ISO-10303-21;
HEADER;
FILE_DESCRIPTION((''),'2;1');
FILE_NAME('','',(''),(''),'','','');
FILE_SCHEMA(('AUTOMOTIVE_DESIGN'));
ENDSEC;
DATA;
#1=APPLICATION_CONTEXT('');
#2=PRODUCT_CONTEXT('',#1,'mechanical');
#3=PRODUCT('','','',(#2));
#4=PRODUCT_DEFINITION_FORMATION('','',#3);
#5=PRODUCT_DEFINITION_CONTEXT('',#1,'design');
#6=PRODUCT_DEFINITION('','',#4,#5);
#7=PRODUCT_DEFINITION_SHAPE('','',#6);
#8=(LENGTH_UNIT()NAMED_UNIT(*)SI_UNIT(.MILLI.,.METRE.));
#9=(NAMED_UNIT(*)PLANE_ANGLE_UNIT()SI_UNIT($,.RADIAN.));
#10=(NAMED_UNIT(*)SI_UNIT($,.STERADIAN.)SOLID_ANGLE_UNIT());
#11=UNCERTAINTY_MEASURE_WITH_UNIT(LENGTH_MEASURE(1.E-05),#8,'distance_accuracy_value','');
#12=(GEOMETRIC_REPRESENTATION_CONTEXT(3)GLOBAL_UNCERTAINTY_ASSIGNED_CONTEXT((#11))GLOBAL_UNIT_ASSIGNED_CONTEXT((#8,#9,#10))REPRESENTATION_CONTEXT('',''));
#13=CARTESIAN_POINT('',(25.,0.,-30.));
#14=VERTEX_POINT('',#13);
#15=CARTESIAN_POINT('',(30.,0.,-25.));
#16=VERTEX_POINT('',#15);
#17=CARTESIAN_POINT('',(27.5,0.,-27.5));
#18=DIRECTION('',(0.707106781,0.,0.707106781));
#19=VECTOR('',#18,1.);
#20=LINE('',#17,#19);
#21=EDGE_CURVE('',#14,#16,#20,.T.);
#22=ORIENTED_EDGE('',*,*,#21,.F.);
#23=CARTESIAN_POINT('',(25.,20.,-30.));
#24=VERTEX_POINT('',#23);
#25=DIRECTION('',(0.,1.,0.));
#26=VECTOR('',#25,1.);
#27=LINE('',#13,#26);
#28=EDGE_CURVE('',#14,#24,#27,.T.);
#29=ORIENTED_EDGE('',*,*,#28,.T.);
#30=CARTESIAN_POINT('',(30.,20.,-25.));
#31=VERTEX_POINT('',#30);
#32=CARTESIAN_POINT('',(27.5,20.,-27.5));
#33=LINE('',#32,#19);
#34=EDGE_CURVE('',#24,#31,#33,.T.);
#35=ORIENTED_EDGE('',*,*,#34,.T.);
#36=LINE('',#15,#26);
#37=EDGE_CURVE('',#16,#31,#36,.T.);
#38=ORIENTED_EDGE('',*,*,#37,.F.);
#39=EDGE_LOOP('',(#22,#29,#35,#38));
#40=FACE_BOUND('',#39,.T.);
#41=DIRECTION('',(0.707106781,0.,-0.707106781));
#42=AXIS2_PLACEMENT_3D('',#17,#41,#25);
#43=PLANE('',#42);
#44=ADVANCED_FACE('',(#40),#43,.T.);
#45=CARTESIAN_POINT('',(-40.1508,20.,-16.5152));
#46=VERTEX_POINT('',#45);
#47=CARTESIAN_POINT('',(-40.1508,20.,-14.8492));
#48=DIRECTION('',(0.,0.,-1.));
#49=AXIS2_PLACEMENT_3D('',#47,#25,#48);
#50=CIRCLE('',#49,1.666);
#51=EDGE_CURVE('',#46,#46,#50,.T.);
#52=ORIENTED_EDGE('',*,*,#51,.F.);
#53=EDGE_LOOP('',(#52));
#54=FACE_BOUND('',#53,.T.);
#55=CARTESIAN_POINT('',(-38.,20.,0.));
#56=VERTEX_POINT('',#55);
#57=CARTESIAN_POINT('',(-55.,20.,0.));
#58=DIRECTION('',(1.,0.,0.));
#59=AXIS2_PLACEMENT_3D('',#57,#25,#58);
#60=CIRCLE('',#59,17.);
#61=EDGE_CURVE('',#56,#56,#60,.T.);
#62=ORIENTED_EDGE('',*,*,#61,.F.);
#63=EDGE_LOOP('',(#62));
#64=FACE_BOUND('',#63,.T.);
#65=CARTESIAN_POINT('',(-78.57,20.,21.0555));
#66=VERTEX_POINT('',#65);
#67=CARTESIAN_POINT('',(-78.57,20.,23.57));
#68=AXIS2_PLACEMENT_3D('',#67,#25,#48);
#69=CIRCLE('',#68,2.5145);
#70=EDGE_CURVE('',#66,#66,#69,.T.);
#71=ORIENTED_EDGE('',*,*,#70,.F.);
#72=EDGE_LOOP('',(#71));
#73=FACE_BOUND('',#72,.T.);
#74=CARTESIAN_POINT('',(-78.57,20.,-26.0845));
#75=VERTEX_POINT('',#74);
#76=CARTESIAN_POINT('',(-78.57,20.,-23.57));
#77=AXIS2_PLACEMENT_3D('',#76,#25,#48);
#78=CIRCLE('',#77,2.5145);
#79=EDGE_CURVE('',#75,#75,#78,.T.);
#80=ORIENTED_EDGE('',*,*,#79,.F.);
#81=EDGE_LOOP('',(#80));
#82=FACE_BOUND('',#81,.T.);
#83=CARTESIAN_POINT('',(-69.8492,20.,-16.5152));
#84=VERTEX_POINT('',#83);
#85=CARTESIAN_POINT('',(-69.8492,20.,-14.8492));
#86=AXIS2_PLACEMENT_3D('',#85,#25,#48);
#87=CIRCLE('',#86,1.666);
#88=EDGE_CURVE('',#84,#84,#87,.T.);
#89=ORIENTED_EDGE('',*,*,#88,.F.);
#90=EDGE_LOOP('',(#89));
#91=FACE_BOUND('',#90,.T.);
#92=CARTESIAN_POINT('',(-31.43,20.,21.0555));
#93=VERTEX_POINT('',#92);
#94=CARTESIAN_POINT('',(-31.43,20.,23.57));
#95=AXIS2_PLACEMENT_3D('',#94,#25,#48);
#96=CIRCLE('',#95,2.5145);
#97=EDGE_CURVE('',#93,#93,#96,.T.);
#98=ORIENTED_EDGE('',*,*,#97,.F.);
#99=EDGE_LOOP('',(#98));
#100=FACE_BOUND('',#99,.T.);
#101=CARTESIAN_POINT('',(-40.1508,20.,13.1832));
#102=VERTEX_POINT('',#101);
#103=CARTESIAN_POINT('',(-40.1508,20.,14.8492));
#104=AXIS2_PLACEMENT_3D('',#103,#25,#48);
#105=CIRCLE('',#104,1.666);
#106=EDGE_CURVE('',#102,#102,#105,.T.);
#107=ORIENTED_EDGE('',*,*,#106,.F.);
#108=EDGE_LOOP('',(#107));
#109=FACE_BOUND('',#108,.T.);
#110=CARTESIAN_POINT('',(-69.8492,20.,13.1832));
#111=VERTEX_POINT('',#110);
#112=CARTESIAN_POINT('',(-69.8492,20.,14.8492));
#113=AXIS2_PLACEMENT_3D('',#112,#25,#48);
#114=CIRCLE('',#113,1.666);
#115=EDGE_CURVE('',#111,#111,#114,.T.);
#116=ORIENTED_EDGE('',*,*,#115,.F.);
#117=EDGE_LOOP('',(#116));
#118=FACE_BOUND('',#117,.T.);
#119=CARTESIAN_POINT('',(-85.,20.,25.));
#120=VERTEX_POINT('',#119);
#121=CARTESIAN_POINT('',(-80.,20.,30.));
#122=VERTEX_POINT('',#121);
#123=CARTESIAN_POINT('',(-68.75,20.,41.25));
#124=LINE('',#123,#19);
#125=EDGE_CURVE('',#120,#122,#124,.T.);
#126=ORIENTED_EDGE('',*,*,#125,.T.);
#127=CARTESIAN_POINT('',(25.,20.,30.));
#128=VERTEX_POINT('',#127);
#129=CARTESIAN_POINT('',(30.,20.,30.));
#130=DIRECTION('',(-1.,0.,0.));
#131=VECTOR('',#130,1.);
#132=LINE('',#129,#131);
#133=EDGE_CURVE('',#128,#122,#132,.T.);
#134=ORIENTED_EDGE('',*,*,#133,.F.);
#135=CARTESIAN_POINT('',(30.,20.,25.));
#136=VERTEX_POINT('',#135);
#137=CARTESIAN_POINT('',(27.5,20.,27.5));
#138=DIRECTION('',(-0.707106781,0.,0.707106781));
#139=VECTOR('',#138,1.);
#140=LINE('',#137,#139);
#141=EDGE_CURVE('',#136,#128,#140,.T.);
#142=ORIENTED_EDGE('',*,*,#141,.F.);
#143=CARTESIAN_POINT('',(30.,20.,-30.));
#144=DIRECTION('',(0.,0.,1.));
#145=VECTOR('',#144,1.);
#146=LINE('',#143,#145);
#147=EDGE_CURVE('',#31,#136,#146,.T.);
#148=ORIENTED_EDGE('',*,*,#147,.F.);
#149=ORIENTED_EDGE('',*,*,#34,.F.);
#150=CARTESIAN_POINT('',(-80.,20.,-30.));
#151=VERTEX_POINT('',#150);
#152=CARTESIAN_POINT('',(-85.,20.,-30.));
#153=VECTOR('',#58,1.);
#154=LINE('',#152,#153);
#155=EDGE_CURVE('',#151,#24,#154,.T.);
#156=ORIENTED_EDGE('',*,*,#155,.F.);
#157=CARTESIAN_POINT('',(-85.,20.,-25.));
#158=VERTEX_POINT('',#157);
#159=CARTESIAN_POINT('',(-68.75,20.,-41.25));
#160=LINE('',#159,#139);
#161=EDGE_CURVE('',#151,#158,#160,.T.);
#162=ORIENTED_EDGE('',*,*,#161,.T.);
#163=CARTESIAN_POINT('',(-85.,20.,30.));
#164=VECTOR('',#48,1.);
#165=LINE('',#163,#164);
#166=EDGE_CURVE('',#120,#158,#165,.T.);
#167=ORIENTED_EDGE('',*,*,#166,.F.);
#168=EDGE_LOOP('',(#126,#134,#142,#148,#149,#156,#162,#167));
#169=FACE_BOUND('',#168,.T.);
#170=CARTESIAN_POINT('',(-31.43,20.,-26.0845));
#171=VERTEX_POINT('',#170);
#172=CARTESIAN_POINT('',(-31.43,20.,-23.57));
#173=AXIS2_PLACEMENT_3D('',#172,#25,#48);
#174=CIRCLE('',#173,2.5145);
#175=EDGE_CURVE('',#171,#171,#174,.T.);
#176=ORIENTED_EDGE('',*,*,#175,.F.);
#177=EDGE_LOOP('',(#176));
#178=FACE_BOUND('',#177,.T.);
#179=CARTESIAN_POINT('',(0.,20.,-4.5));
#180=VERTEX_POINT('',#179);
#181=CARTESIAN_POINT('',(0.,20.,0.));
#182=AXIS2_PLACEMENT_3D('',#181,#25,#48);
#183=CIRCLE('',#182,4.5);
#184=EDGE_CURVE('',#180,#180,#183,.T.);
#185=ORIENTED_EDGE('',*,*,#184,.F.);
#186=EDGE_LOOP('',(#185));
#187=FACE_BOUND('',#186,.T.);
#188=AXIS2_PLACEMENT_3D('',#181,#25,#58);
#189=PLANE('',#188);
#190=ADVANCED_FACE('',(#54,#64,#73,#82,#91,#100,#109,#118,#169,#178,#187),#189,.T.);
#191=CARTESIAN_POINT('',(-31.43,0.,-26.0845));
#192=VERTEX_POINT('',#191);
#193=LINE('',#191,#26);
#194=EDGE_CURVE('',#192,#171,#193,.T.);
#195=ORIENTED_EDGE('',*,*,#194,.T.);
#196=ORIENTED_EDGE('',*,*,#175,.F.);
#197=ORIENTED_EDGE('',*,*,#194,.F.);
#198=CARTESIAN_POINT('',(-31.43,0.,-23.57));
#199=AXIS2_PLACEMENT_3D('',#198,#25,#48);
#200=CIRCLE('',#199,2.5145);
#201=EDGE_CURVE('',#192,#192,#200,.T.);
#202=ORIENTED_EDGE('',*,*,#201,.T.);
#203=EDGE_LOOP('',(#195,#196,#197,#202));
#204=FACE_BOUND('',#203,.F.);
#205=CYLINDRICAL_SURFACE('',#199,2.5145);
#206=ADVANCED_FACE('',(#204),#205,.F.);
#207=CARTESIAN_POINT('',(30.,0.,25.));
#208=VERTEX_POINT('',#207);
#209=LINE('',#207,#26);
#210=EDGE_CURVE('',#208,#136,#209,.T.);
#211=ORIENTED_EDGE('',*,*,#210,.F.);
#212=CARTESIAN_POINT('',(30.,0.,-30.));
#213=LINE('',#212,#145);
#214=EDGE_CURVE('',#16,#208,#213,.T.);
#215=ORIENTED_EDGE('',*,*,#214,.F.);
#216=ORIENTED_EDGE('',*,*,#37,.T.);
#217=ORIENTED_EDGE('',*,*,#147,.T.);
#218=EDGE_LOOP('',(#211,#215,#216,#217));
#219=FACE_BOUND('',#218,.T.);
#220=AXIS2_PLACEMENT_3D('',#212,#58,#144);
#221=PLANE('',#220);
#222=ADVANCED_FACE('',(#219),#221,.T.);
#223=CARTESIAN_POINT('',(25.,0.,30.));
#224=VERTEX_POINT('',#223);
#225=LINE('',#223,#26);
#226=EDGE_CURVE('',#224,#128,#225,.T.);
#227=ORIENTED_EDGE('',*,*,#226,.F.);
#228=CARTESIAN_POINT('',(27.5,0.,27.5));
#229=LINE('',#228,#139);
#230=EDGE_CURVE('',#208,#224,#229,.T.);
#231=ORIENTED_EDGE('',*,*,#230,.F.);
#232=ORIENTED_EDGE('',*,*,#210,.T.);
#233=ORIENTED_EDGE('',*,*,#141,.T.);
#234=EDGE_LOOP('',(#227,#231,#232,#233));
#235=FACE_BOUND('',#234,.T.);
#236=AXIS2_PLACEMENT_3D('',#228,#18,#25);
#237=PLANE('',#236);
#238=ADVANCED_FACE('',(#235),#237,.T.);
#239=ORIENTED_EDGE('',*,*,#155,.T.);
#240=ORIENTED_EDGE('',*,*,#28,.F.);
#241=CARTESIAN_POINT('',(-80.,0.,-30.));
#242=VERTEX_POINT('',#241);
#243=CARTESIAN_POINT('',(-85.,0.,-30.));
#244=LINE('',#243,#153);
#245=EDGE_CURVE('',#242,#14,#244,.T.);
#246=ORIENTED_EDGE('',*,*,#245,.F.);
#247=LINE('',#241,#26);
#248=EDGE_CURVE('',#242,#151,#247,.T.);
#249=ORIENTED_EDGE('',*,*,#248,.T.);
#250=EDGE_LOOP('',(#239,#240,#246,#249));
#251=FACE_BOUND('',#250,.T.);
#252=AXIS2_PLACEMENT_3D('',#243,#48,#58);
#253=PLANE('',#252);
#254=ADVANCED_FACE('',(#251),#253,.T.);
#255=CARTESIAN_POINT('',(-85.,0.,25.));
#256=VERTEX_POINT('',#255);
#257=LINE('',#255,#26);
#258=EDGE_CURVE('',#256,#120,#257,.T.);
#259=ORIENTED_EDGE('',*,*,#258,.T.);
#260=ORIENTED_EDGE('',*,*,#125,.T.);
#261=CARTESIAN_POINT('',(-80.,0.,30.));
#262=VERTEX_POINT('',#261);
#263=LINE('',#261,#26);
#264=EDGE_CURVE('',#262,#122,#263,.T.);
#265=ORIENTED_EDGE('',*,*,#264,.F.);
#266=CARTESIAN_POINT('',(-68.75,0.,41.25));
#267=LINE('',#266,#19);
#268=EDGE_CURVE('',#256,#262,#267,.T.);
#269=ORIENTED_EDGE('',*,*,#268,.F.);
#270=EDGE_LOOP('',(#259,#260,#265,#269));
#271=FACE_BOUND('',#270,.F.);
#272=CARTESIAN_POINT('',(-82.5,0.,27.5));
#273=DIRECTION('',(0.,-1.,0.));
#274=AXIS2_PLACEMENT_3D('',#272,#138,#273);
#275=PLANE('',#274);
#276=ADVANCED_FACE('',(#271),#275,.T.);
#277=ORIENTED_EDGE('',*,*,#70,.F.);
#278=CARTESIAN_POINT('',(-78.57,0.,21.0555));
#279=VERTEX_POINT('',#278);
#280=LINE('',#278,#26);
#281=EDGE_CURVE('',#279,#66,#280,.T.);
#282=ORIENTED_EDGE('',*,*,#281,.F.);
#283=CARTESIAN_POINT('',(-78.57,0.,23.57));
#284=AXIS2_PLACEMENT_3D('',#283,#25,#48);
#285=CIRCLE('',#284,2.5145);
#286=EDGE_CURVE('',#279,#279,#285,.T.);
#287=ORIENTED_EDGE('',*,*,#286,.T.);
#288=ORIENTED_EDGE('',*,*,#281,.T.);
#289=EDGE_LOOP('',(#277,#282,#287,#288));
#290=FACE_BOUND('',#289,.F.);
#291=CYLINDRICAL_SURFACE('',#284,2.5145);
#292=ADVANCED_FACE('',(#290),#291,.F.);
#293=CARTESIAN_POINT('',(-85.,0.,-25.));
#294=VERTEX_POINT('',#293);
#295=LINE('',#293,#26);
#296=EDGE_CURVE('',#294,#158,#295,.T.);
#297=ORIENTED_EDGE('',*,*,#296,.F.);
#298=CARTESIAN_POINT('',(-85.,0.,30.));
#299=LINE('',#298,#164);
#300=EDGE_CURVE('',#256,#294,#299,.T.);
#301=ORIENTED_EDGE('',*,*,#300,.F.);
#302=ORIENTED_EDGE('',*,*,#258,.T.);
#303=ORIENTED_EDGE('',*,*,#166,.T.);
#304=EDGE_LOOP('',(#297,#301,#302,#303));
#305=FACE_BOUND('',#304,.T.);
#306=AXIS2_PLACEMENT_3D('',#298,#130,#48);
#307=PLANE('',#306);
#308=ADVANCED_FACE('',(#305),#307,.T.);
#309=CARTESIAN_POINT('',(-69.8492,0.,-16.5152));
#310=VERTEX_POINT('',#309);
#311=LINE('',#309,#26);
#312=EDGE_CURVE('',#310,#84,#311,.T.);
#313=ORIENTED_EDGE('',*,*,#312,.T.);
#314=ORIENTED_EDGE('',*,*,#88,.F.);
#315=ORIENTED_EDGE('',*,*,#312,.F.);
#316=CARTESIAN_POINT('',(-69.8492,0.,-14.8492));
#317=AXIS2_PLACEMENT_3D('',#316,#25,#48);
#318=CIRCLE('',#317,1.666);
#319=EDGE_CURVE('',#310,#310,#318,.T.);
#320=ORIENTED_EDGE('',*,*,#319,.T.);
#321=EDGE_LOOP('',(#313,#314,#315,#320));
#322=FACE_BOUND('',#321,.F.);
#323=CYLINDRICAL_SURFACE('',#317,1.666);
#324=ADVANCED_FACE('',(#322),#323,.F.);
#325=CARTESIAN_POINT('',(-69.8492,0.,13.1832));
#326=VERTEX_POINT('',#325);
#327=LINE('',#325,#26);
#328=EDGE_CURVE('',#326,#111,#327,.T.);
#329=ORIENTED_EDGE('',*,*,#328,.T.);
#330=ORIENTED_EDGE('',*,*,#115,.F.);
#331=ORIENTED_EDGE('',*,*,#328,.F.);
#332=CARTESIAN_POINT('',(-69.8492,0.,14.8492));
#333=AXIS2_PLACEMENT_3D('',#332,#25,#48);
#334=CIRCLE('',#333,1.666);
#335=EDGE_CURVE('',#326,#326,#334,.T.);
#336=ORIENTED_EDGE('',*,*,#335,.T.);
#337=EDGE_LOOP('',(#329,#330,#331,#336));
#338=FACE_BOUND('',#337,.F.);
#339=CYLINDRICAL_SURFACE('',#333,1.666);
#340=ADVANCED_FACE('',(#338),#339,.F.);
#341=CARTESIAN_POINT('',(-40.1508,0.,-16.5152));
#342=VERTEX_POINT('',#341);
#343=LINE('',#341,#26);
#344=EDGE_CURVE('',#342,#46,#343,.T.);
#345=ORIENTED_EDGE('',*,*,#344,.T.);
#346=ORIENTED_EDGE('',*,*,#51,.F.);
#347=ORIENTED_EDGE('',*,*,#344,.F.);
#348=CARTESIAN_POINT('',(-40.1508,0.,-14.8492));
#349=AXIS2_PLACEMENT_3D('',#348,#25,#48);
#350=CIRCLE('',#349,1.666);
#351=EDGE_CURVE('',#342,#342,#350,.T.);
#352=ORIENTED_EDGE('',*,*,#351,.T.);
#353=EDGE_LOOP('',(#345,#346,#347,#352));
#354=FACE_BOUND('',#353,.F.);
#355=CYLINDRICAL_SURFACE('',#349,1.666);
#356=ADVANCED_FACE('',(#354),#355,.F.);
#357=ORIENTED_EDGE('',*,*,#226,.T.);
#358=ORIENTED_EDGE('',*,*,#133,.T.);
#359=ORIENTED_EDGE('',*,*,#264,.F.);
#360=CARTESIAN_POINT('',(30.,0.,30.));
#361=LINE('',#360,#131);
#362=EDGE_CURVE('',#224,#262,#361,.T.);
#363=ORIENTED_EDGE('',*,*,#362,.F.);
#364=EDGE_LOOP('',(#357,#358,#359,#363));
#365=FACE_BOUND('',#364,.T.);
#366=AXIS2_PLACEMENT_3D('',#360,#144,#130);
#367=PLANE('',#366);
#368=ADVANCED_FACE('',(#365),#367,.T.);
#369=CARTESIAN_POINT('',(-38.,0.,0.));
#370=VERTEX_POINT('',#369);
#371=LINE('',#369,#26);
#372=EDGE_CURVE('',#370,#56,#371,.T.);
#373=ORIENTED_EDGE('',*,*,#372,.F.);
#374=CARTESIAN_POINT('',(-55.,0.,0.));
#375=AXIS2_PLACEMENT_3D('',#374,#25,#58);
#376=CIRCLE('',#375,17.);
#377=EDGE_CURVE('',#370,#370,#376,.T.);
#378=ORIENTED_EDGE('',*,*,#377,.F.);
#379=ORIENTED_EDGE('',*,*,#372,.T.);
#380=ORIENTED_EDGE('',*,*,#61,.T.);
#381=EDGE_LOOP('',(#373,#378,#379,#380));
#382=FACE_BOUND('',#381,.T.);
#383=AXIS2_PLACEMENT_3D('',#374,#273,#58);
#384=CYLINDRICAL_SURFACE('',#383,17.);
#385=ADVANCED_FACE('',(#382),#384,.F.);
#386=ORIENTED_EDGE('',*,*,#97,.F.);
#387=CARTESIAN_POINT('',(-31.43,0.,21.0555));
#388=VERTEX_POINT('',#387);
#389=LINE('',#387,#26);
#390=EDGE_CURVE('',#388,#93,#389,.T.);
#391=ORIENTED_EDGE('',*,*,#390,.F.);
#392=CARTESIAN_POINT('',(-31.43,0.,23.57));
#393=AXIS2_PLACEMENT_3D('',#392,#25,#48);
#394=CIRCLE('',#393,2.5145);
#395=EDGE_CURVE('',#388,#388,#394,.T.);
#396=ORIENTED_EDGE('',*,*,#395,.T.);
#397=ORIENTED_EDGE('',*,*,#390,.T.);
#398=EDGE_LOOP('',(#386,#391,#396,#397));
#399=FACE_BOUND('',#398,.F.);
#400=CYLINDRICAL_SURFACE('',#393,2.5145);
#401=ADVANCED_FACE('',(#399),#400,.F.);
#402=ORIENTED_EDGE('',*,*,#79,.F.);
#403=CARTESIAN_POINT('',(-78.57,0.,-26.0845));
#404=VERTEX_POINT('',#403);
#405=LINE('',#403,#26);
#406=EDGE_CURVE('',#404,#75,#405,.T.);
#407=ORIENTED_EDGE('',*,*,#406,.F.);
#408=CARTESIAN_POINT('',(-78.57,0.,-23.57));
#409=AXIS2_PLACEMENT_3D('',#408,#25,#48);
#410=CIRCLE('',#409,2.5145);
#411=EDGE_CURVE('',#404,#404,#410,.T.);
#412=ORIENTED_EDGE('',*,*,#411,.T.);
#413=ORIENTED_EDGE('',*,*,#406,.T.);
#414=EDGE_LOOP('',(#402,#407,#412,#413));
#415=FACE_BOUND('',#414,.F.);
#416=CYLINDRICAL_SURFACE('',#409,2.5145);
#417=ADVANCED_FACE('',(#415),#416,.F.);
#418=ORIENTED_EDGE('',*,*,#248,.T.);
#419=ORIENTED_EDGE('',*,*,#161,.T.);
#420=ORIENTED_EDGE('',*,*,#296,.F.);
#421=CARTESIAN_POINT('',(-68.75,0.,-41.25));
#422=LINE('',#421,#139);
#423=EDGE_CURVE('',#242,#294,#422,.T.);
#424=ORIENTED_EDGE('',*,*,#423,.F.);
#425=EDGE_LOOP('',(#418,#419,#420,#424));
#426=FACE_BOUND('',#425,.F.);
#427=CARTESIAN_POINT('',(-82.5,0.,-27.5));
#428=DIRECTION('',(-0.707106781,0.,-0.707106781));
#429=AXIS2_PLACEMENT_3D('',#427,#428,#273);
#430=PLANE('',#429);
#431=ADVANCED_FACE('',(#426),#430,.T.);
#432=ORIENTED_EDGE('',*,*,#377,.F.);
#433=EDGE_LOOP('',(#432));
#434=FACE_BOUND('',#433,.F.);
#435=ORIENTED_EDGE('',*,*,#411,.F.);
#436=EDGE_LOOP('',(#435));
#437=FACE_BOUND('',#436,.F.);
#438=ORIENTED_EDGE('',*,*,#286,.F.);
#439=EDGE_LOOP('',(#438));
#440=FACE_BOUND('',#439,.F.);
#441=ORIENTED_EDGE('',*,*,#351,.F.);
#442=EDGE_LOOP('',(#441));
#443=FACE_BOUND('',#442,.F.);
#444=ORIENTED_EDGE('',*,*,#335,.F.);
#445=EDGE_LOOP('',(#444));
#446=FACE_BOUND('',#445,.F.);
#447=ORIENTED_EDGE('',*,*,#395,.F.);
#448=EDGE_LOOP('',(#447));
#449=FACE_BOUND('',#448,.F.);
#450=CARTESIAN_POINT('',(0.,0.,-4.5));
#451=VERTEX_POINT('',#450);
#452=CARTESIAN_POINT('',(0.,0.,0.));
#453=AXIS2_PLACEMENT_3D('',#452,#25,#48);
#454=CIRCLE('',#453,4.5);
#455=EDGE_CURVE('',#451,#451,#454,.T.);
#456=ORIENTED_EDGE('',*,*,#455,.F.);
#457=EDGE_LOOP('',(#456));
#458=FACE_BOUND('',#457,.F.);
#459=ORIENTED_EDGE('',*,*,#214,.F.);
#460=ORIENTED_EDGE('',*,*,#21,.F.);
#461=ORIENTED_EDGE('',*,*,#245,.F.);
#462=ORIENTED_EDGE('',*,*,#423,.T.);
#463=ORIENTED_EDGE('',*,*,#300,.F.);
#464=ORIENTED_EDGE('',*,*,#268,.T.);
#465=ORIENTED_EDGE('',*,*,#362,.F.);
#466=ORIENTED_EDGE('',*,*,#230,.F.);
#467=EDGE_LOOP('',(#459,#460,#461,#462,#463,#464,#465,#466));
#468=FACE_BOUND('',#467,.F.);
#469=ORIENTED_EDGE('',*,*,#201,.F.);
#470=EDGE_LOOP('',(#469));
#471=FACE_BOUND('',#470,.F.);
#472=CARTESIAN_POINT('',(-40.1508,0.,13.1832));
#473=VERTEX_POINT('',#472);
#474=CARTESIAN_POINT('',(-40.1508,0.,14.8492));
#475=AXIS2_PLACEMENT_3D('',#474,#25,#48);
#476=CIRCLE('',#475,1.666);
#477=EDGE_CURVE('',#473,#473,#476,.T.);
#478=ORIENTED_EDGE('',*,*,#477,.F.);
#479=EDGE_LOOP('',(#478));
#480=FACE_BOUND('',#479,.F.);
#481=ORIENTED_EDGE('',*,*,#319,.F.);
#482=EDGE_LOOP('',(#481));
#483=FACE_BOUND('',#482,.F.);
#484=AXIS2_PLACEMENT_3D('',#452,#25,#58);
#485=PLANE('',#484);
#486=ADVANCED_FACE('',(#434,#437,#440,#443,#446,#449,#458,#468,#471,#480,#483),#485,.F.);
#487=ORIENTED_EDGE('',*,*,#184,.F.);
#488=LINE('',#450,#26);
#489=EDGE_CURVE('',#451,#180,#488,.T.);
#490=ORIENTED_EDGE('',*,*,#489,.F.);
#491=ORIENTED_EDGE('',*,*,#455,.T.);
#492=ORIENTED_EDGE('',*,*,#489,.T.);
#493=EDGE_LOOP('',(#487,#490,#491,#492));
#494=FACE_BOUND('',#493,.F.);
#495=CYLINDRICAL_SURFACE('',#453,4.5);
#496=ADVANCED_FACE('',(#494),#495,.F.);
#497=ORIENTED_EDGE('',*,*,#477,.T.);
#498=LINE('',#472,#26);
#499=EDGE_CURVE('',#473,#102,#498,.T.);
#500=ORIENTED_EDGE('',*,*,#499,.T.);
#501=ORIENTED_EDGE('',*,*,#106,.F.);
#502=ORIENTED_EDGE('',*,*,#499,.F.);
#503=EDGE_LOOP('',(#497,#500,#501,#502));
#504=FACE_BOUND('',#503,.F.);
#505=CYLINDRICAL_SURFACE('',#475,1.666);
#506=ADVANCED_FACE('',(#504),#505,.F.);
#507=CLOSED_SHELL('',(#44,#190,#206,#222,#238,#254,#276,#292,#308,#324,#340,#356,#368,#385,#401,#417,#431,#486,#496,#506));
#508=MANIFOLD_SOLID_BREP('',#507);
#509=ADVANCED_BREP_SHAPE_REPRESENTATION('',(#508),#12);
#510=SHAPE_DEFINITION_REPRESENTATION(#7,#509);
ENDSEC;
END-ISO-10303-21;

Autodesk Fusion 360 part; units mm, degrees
sketch "Sketch1" plane through (0, 0, 0) normal (0, 1, 0) x (1, 0, 0)
  circle A0 centre (-55, 0) radius 17
  line L0 (-78.57, 23.57) -> (-31.43, 23.57) construction
  line L1 (-31.43, 23.57) -> (-31.43, -23.57) construction
  line L2 (-31.43, -23.57) -> (-78.57, -23.57) construction
  line L3 (-78.57, -23.57) -> (-78.57, 23.57) construction
  line L4 (-78.57, -23.57) -> (-31.43, 23.57) construction
  line L5 (-85, 30) -> (30, 30)
  line L6 (30, 30) -> (30, -30)
  line L7 (30, -30) -> (-85, -30)
  line L8 (-85, -30) -> (-85, 30)
  line L9 (0, 0) -> (-55, 0) construction
  circle A1 centre (-55, 0) radius 21 construction
  line L10 (-78.57, 23.57) -> (-31.43, -23.57) construction
  line L11 (-55, 23.57) -> (-55, -23.57) construction
  line L12 (-78.57, 0) -> (-31.43, 0) construction
  point P0 (-55, 21)
  point P1 (-69.8492, 14.8492)
  point P2 (-76, 0)
  point P3 (-69.8492, -14.8492)
  point P4 (-55, -21)
  point P5 (-40.1508, -14.8492)
  point P6 (-40.1508, 14.8492)
  point P7 (-34, 0)
  dimension "d2" = 34
  dimension "d3" = 55
  dimension "d4" = 47.14
  dimension "d5" = 30
  dimension "d6" = 30
  dimension "d7" = 60
  dimension "d20" = 42
extrude "Extrude1" add sketch "Sketch1" along normal blind 20
hole "Hole1" at (0, 0, 0) direction (0, 1, 0) diameter 9 end through all
hole "Hole2" at (-31.43, 0, 23.57) at (-31.43, 0, -23.57) at (-78.57, 0, -23.57) at (-78.57, 0, 23.57) direction (0, 1, 0) diameter 5.029 end through all
hole "Hole3" at (-69.8492, 0, 14.8492) at (-69.8492, 0, -14.8492) at (-40.1508, 0, -14.8492) at (-40.1508, 0, 14.8492) direction (0, 1, 0) diameter 3.332 end through all
chamfer "Chamfer3" distance 5 angle 45 4 edges at (-85, 10, 30) (-85, 10, -30) (30, 10, 30) (30, 10, -30)
